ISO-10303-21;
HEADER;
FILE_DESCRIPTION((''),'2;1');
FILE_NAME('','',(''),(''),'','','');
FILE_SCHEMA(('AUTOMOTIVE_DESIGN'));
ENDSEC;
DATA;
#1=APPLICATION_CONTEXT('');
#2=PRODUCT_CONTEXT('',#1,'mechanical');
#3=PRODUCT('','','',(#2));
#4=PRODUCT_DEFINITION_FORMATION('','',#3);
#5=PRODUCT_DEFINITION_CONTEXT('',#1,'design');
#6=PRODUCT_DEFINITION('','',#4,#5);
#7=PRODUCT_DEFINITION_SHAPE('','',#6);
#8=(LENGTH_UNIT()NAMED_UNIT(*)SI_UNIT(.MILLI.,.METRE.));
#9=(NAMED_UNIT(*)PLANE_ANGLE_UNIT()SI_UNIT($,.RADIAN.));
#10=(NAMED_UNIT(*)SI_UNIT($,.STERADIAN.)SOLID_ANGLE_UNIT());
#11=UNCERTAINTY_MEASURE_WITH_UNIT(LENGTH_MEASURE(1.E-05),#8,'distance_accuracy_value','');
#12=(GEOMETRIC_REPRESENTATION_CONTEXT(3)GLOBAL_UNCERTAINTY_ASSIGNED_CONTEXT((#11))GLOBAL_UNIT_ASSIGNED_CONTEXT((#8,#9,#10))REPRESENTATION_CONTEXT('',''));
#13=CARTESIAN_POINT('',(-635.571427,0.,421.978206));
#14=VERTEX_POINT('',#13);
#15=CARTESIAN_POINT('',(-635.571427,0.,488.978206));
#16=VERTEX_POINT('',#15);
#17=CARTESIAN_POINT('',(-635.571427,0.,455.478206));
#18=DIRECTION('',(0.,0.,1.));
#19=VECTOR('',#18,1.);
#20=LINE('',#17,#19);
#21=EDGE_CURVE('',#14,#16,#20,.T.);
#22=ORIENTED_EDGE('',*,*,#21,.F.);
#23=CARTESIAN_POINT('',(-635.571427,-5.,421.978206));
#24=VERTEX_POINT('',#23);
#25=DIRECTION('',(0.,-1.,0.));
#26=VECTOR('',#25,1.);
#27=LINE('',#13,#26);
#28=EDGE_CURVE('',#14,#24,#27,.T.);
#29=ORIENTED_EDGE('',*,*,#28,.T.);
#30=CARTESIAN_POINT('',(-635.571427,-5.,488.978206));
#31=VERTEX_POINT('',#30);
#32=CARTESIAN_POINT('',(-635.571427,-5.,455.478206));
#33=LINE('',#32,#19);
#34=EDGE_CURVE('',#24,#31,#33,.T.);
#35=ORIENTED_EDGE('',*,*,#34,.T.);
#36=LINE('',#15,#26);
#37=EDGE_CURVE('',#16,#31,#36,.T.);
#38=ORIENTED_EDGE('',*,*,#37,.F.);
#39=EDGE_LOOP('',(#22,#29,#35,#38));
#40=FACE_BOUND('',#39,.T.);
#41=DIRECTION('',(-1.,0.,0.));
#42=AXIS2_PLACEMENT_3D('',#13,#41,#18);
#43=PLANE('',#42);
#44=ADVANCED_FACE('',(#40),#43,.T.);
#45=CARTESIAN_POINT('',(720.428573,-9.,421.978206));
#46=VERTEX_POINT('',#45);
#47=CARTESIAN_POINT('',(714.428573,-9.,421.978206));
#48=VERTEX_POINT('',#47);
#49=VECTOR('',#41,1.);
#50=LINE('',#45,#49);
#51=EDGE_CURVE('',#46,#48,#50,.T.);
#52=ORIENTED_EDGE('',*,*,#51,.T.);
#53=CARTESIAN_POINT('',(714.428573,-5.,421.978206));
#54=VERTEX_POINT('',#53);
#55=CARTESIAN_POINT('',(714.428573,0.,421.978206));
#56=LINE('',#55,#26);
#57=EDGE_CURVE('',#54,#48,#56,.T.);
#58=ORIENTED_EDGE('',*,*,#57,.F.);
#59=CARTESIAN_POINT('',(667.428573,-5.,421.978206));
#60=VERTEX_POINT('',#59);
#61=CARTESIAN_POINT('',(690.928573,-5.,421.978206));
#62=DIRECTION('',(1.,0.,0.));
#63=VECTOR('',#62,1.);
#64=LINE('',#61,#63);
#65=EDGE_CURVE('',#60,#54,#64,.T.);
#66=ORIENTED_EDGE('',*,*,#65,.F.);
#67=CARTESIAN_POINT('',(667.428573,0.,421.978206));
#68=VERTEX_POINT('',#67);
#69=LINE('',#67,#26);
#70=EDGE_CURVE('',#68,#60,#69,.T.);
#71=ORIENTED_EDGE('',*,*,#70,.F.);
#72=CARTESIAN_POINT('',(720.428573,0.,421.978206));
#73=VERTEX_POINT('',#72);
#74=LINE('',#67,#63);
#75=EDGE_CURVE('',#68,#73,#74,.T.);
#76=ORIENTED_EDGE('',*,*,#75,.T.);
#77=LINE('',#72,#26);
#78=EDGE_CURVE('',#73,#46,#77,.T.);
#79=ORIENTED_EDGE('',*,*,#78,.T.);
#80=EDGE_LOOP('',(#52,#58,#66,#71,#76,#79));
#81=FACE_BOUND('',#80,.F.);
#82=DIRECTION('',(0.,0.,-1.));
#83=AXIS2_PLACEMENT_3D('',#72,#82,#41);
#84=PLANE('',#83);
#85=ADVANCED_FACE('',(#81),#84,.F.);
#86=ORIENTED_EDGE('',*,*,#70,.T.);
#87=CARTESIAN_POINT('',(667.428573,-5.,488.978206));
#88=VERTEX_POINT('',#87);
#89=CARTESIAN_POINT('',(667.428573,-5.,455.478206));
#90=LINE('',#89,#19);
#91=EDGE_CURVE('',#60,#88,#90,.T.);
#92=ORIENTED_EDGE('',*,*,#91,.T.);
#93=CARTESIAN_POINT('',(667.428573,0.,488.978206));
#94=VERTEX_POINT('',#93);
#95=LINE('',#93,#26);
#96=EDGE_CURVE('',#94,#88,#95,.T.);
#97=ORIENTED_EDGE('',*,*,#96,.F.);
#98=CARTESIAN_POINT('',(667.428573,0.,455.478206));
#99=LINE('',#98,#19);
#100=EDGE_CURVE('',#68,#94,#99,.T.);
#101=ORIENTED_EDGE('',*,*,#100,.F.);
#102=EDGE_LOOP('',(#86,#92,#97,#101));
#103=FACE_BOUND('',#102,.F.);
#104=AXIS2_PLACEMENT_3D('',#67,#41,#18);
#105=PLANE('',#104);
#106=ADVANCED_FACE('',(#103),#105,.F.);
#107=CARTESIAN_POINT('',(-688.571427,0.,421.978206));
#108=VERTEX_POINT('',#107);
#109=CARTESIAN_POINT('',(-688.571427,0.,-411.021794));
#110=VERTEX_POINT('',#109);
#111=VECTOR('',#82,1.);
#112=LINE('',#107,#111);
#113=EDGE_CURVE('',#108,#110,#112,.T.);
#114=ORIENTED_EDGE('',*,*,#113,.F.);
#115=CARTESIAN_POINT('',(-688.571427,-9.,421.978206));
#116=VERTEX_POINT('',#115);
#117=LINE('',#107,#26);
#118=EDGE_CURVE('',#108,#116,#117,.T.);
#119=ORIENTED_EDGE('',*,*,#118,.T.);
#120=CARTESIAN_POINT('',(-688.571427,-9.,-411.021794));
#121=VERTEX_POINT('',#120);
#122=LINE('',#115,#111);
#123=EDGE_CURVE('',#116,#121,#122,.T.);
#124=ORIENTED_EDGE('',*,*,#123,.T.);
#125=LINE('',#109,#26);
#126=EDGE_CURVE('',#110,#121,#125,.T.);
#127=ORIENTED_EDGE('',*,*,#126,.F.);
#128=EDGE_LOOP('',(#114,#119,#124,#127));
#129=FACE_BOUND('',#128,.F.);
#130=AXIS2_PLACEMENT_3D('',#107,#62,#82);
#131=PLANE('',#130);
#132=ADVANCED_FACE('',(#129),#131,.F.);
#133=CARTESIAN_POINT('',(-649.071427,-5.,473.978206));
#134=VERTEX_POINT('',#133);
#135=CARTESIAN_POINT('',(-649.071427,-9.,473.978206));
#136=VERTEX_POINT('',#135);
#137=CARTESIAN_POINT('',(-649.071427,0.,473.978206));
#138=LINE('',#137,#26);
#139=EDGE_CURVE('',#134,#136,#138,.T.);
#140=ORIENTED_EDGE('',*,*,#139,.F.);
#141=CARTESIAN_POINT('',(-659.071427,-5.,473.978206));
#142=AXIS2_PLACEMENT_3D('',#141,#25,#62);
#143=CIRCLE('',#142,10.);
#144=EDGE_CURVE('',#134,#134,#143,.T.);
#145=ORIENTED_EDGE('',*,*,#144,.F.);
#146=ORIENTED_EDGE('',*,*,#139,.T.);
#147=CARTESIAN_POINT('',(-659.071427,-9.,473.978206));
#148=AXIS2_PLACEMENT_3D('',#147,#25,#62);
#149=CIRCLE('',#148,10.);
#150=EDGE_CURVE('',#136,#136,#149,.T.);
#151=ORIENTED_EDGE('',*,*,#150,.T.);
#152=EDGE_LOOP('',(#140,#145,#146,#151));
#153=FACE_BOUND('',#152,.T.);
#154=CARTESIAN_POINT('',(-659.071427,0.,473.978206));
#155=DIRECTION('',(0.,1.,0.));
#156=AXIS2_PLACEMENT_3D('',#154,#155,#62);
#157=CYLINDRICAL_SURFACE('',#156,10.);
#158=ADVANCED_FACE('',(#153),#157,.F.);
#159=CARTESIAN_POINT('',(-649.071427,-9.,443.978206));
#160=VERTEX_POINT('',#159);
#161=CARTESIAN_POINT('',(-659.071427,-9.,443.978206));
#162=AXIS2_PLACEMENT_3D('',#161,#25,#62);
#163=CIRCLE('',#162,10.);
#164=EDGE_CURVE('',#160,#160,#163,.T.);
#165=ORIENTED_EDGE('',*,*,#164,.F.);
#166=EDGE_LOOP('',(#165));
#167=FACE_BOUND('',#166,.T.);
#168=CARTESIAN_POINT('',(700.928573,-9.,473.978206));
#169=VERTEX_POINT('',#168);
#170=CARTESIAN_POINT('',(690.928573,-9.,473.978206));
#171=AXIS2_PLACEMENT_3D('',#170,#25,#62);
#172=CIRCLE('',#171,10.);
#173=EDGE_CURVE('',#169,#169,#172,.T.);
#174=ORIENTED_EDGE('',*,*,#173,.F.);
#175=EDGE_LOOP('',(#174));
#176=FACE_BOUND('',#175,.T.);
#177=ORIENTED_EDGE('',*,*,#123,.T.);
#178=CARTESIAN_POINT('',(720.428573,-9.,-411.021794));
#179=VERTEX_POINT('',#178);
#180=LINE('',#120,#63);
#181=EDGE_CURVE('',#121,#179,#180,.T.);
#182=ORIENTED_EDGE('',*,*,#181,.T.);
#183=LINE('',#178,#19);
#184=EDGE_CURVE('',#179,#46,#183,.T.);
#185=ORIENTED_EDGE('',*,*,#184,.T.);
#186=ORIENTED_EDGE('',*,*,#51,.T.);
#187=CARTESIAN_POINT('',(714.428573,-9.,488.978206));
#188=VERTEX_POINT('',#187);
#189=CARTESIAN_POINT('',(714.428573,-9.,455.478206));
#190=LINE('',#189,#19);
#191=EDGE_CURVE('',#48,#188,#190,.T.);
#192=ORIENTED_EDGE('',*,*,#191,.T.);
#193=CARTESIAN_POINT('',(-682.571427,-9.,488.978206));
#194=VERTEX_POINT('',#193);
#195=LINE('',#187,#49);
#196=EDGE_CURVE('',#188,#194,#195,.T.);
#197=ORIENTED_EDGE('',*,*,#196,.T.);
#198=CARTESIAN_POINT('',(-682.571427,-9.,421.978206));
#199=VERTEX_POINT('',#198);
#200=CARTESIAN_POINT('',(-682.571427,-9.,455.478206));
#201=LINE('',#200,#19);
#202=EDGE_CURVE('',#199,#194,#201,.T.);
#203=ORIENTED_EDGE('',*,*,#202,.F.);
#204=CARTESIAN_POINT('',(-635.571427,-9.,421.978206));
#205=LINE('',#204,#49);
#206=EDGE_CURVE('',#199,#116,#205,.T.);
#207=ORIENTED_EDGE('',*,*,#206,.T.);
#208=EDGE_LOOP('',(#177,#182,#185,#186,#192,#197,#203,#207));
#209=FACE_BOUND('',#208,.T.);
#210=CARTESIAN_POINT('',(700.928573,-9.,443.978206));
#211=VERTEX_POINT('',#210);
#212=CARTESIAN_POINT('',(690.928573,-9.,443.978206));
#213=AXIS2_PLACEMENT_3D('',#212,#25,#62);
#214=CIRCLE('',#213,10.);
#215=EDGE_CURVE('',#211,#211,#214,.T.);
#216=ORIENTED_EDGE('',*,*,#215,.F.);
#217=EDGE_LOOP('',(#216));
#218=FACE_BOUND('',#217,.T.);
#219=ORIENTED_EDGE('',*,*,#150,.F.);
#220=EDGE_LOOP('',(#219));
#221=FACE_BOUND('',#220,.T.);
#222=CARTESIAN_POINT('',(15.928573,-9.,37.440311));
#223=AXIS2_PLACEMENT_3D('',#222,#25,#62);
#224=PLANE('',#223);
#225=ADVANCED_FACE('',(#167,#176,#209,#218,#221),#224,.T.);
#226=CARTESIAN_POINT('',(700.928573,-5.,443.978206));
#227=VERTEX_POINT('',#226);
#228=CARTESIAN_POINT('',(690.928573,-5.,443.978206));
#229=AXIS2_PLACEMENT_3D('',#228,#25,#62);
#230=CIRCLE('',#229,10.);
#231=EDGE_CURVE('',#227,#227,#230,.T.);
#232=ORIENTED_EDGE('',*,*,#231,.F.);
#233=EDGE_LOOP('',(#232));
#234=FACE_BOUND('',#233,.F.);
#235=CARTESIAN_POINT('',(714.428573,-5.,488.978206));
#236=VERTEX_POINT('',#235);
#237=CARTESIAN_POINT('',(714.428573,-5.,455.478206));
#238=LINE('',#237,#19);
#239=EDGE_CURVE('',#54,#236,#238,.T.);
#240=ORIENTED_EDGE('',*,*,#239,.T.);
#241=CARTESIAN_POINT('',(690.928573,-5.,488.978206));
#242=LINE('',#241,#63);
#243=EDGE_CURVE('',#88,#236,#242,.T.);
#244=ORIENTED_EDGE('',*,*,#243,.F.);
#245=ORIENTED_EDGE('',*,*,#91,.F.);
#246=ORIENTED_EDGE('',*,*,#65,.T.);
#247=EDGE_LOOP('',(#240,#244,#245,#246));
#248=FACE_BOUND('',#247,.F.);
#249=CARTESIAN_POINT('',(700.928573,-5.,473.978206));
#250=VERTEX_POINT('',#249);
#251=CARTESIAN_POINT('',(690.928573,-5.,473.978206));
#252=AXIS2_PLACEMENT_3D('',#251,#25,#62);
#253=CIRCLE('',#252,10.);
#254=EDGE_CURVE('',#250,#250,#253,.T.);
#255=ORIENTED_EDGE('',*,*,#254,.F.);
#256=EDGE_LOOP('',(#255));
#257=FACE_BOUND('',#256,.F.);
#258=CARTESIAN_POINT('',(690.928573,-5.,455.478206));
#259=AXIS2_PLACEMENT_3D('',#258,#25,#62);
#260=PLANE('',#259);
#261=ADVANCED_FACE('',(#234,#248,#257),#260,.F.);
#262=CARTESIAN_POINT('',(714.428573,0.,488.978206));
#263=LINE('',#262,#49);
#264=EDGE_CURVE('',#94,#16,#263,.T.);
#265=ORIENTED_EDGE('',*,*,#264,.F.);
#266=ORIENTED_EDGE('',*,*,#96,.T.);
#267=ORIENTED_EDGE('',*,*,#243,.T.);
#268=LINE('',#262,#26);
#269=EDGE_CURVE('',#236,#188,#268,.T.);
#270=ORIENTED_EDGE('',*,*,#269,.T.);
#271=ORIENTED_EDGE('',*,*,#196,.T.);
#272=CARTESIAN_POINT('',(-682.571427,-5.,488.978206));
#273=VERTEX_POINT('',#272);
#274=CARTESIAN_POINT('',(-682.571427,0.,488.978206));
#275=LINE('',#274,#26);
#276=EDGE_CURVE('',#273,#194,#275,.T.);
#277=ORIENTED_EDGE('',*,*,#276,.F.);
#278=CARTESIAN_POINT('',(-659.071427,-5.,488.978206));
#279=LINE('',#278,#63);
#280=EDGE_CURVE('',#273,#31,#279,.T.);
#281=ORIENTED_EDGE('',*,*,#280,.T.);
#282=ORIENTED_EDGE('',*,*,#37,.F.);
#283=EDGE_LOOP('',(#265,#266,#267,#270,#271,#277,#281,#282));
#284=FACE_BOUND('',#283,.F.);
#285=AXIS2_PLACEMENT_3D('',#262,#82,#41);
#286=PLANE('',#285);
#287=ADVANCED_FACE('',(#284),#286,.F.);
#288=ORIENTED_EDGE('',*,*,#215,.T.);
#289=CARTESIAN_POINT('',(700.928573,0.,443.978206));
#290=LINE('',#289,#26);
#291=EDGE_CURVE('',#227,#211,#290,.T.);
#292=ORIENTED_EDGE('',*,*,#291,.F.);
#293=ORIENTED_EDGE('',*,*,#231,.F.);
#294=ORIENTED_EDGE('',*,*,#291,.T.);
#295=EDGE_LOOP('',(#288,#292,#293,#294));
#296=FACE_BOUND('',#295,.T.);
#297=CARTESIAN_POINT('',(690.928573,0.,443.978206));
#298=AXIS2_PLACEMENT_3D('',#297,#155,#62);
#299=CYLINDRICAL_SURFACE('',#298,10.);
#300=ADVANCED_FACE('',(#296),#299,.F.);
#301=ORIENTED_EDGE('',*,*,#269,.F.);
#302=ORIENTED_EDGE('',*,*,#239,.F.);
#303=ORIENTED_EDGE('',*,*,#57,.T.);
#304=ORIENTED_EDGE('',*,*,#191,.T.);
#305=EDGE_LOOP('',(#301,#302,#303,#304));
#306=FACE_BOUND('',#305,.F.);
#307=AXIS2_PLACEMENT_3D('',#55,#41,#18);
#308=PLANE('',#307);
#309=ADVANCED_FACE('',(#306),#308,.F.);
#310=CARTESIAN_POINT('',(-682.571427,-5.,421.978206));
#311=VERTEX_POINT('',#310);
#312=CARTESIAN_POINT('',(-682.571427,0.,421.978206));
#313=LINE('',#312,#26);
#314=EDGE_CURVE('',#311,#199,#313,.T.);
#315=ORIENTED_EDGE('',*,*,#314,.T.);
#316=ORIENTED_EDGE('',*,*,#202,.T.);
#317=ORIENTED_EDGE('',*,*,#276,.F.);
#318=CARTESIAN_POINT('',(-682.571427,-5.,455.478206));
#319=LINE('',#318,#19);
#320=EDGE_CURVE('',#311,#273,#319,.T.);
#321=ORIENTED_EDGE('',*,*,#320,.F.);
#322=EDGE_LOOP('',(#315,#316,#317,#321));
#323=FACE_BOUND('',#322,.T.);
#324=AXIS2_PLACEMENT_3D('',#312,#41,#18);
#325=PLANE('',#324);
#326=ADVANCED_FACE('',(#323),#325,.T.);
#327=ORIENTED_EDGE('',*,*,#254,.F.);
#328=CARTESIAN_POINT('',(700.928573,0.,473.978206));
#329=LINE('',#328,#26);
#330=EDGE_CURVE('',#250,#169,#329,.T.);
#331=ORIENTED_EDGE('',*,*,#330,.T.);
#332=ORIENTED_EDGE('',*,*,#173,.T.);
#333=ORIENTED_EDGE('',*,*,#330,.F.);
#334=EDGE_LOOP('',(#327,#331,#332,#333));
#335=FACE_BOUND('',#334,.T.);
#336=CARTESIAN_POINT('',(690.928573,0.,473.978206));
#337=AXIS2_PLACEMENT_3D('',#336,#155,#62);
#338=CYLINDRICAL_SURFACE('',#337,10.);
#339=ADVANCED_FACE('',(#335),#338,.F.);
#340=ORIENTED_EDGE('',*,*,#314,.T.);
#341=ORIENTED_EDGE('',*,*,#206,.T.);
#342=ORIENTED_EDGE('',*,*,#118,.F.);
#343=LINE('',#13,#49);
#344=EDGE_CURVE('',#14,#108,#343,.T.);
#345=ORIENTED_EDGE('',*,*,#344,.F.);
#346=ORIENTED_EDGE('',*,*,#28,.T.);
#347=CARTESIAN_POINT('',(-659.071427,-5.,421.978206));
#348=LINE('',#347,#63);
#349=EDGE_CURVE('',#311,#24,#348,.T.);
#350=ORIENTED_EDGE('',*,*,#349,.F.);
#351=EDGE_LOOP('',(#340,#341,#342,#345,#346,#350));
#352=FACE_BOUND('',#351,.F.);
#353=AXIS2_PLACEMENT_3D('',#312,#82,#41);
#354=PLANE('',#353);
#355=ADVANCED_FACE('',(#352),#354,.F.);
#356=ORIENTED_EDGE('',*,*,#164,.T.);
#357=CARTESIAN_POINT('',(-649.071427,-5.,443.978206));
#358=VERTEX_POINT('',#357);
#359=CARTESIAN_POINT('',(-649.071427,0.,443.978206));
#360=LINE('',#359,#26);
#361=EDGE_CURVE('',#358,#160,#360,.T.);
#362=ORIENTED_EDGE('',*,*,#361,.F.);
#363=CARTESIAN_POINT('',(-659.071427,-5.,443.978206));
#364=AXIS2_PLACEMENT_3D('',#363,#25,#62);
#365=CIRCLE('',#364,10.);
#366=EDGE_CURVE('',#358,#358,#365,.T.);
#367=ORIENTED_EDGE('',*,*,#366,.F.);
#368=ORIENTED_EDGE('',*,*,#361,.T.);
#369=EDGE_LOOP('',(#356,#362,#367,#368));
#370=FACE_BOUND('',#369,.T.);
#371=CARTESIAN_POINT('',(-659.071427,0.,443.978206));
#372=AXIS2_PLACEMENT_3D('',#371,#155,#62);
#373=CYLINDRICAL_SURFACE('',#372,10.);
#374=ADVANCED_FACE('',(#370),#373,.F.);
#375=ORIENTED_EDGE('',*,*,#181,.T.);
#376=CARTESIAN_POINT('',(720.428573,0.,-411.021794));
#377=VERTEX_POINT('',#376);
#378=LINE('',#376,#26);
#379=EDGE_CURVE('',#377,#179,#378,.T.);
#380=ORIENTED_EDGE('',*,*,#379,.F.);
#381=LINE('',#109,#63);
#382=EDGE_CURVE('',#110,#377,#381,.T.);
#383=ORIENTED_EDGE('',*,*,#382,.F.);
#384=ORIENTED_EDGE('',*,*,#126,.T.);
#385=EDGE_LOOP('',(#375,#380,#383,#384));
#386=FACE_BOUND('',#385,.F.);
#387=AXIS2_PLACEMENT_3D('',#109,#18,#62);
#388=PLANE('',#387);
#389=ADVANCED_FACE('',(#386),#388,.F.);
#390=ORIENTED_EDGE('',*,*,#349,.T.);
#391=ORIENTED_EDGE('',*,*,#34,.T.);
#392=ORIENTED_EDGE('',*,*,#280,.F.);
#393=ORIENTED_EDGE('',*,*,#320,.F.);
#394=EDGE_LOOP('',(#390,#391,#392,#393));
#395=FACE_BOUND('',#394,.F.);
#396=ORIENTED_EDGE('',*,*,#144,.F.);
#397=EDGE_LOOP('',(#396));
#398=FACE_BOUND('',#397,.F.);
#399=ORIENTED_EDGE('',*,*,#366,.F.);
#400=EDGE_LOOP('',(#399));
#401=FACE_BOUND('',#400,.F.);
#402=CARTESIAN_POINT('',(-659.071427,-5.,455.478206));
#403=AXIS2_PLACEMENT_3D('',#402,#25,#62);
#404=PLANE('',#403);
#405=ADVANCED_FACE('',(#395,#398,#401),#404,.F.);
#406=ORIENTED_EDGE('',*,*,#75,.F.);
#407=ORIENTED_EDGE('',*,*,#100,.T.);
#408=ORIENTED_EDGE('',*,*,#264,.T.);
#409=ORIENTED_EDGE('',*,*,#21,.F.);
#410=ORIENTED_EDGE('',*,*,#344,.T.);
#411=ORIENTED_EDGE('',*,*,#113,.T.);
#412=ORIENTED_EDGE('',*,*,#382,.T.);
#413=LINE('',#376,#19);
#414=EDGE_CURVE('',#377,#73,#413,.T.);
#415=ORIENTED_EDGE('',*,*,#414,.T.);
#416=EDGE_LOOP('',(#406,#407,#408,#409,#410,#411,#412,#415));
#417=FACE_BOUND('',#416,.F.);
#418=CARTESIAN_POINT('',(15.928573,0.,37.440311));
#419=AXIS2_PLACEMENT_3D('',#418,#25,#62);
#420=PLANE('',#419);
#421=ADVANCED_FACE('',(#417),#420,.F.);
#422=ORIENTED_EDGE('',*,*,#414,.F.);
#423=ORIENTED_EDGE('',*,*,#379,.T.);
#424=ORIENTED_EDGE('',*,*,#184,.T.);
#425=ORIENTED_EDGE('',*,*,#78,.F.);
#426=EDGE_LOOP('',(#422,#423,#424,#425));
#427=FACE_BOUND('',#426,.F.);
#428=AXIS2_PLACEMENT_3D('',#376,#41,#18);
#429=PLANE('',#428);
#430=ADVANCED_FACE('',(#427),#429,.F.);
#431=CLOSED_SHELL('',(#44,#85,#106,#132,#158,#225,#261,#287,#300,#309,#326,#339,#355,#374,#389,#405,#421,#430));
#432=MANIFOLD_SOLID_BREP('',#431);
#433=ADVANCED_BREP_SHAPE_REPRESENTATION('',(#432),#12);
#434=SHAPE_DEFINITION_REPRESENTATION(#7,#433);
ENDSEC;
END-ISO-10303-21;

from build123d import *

# Parameters (mm, degrees)
F0_W     = 47
F0_H     = 67
F0_R     = 10
F1_DEPTH = 9
F2_DEPTH = 5


with BuildPart() as f1:
    # F0 (on Front) → F1 (new body)
    with BuildSketch(Plane.XZ):
        Polygon((667.428573, 488.978206), (-635.571427, 488.978206), (-635.571427, 421.978206), (-682.571427, 421.978206), (-688.571427, 421.978206), (-688.571427, -411.021794), (720.428573, -411.021794), (720.428573, 421.978206), (714.428573, 421.978206), (667.428573, 421.978206), align=None)
        with Locations((-659.071427, 455.478206)):
            Rectangle(F0_W, F0_H)
        with Locations((-659.071427, 443.978206)):
            Circle(F0_R, mode=Mode.SUBTRACT)
        with Locations((-659.071427, 473.978206)):
            Circle(F0_R, mode=Mode.SUBTRACT)
        with Locations((690.928573, 455.478206)):
            Rectangle(F0_W, F0_H)
        with Locations((690.928573, 443.978206)):
            Circle(F0_R, mode=Mode.SUBTRACT)
        with Locations((690.928573, 473.978206)):
            Circle(F0_R, mode=Mode.SUBTRACT)
    extrude(amount=F1_DEPTH)

    # F0 (on Front) → F2 (cut)
    with BuildSketch(Plane.XZ):
        with Locations((-659.071427, 455.478206)):
            Rectangle(F0_W, F0_H)
        with Locations((-659.071427, 443.978206)):
            Circle(F0_R, mode=Mode.SUBTRACT)
        with Locations((-659.071427, 473.978206)):
            Circle(F0_R, mode=Mode.SUBTRACT)
        with Locations((690.928573, 455.478206)):
            Rectangle(F0_W, F0_H)
        with Locations((690.928573, 443.978206)):
            Circle(F0_R, mode=Mode.SUBTRACT)
        with Locations((690.928573, 473.978206)):
            Circle(F0_R, mode=Mode.SUBTRACT)
    extrude(amount=F2_DEPTH, mode=Mode.SUBTRACT)


solid = f1.part
